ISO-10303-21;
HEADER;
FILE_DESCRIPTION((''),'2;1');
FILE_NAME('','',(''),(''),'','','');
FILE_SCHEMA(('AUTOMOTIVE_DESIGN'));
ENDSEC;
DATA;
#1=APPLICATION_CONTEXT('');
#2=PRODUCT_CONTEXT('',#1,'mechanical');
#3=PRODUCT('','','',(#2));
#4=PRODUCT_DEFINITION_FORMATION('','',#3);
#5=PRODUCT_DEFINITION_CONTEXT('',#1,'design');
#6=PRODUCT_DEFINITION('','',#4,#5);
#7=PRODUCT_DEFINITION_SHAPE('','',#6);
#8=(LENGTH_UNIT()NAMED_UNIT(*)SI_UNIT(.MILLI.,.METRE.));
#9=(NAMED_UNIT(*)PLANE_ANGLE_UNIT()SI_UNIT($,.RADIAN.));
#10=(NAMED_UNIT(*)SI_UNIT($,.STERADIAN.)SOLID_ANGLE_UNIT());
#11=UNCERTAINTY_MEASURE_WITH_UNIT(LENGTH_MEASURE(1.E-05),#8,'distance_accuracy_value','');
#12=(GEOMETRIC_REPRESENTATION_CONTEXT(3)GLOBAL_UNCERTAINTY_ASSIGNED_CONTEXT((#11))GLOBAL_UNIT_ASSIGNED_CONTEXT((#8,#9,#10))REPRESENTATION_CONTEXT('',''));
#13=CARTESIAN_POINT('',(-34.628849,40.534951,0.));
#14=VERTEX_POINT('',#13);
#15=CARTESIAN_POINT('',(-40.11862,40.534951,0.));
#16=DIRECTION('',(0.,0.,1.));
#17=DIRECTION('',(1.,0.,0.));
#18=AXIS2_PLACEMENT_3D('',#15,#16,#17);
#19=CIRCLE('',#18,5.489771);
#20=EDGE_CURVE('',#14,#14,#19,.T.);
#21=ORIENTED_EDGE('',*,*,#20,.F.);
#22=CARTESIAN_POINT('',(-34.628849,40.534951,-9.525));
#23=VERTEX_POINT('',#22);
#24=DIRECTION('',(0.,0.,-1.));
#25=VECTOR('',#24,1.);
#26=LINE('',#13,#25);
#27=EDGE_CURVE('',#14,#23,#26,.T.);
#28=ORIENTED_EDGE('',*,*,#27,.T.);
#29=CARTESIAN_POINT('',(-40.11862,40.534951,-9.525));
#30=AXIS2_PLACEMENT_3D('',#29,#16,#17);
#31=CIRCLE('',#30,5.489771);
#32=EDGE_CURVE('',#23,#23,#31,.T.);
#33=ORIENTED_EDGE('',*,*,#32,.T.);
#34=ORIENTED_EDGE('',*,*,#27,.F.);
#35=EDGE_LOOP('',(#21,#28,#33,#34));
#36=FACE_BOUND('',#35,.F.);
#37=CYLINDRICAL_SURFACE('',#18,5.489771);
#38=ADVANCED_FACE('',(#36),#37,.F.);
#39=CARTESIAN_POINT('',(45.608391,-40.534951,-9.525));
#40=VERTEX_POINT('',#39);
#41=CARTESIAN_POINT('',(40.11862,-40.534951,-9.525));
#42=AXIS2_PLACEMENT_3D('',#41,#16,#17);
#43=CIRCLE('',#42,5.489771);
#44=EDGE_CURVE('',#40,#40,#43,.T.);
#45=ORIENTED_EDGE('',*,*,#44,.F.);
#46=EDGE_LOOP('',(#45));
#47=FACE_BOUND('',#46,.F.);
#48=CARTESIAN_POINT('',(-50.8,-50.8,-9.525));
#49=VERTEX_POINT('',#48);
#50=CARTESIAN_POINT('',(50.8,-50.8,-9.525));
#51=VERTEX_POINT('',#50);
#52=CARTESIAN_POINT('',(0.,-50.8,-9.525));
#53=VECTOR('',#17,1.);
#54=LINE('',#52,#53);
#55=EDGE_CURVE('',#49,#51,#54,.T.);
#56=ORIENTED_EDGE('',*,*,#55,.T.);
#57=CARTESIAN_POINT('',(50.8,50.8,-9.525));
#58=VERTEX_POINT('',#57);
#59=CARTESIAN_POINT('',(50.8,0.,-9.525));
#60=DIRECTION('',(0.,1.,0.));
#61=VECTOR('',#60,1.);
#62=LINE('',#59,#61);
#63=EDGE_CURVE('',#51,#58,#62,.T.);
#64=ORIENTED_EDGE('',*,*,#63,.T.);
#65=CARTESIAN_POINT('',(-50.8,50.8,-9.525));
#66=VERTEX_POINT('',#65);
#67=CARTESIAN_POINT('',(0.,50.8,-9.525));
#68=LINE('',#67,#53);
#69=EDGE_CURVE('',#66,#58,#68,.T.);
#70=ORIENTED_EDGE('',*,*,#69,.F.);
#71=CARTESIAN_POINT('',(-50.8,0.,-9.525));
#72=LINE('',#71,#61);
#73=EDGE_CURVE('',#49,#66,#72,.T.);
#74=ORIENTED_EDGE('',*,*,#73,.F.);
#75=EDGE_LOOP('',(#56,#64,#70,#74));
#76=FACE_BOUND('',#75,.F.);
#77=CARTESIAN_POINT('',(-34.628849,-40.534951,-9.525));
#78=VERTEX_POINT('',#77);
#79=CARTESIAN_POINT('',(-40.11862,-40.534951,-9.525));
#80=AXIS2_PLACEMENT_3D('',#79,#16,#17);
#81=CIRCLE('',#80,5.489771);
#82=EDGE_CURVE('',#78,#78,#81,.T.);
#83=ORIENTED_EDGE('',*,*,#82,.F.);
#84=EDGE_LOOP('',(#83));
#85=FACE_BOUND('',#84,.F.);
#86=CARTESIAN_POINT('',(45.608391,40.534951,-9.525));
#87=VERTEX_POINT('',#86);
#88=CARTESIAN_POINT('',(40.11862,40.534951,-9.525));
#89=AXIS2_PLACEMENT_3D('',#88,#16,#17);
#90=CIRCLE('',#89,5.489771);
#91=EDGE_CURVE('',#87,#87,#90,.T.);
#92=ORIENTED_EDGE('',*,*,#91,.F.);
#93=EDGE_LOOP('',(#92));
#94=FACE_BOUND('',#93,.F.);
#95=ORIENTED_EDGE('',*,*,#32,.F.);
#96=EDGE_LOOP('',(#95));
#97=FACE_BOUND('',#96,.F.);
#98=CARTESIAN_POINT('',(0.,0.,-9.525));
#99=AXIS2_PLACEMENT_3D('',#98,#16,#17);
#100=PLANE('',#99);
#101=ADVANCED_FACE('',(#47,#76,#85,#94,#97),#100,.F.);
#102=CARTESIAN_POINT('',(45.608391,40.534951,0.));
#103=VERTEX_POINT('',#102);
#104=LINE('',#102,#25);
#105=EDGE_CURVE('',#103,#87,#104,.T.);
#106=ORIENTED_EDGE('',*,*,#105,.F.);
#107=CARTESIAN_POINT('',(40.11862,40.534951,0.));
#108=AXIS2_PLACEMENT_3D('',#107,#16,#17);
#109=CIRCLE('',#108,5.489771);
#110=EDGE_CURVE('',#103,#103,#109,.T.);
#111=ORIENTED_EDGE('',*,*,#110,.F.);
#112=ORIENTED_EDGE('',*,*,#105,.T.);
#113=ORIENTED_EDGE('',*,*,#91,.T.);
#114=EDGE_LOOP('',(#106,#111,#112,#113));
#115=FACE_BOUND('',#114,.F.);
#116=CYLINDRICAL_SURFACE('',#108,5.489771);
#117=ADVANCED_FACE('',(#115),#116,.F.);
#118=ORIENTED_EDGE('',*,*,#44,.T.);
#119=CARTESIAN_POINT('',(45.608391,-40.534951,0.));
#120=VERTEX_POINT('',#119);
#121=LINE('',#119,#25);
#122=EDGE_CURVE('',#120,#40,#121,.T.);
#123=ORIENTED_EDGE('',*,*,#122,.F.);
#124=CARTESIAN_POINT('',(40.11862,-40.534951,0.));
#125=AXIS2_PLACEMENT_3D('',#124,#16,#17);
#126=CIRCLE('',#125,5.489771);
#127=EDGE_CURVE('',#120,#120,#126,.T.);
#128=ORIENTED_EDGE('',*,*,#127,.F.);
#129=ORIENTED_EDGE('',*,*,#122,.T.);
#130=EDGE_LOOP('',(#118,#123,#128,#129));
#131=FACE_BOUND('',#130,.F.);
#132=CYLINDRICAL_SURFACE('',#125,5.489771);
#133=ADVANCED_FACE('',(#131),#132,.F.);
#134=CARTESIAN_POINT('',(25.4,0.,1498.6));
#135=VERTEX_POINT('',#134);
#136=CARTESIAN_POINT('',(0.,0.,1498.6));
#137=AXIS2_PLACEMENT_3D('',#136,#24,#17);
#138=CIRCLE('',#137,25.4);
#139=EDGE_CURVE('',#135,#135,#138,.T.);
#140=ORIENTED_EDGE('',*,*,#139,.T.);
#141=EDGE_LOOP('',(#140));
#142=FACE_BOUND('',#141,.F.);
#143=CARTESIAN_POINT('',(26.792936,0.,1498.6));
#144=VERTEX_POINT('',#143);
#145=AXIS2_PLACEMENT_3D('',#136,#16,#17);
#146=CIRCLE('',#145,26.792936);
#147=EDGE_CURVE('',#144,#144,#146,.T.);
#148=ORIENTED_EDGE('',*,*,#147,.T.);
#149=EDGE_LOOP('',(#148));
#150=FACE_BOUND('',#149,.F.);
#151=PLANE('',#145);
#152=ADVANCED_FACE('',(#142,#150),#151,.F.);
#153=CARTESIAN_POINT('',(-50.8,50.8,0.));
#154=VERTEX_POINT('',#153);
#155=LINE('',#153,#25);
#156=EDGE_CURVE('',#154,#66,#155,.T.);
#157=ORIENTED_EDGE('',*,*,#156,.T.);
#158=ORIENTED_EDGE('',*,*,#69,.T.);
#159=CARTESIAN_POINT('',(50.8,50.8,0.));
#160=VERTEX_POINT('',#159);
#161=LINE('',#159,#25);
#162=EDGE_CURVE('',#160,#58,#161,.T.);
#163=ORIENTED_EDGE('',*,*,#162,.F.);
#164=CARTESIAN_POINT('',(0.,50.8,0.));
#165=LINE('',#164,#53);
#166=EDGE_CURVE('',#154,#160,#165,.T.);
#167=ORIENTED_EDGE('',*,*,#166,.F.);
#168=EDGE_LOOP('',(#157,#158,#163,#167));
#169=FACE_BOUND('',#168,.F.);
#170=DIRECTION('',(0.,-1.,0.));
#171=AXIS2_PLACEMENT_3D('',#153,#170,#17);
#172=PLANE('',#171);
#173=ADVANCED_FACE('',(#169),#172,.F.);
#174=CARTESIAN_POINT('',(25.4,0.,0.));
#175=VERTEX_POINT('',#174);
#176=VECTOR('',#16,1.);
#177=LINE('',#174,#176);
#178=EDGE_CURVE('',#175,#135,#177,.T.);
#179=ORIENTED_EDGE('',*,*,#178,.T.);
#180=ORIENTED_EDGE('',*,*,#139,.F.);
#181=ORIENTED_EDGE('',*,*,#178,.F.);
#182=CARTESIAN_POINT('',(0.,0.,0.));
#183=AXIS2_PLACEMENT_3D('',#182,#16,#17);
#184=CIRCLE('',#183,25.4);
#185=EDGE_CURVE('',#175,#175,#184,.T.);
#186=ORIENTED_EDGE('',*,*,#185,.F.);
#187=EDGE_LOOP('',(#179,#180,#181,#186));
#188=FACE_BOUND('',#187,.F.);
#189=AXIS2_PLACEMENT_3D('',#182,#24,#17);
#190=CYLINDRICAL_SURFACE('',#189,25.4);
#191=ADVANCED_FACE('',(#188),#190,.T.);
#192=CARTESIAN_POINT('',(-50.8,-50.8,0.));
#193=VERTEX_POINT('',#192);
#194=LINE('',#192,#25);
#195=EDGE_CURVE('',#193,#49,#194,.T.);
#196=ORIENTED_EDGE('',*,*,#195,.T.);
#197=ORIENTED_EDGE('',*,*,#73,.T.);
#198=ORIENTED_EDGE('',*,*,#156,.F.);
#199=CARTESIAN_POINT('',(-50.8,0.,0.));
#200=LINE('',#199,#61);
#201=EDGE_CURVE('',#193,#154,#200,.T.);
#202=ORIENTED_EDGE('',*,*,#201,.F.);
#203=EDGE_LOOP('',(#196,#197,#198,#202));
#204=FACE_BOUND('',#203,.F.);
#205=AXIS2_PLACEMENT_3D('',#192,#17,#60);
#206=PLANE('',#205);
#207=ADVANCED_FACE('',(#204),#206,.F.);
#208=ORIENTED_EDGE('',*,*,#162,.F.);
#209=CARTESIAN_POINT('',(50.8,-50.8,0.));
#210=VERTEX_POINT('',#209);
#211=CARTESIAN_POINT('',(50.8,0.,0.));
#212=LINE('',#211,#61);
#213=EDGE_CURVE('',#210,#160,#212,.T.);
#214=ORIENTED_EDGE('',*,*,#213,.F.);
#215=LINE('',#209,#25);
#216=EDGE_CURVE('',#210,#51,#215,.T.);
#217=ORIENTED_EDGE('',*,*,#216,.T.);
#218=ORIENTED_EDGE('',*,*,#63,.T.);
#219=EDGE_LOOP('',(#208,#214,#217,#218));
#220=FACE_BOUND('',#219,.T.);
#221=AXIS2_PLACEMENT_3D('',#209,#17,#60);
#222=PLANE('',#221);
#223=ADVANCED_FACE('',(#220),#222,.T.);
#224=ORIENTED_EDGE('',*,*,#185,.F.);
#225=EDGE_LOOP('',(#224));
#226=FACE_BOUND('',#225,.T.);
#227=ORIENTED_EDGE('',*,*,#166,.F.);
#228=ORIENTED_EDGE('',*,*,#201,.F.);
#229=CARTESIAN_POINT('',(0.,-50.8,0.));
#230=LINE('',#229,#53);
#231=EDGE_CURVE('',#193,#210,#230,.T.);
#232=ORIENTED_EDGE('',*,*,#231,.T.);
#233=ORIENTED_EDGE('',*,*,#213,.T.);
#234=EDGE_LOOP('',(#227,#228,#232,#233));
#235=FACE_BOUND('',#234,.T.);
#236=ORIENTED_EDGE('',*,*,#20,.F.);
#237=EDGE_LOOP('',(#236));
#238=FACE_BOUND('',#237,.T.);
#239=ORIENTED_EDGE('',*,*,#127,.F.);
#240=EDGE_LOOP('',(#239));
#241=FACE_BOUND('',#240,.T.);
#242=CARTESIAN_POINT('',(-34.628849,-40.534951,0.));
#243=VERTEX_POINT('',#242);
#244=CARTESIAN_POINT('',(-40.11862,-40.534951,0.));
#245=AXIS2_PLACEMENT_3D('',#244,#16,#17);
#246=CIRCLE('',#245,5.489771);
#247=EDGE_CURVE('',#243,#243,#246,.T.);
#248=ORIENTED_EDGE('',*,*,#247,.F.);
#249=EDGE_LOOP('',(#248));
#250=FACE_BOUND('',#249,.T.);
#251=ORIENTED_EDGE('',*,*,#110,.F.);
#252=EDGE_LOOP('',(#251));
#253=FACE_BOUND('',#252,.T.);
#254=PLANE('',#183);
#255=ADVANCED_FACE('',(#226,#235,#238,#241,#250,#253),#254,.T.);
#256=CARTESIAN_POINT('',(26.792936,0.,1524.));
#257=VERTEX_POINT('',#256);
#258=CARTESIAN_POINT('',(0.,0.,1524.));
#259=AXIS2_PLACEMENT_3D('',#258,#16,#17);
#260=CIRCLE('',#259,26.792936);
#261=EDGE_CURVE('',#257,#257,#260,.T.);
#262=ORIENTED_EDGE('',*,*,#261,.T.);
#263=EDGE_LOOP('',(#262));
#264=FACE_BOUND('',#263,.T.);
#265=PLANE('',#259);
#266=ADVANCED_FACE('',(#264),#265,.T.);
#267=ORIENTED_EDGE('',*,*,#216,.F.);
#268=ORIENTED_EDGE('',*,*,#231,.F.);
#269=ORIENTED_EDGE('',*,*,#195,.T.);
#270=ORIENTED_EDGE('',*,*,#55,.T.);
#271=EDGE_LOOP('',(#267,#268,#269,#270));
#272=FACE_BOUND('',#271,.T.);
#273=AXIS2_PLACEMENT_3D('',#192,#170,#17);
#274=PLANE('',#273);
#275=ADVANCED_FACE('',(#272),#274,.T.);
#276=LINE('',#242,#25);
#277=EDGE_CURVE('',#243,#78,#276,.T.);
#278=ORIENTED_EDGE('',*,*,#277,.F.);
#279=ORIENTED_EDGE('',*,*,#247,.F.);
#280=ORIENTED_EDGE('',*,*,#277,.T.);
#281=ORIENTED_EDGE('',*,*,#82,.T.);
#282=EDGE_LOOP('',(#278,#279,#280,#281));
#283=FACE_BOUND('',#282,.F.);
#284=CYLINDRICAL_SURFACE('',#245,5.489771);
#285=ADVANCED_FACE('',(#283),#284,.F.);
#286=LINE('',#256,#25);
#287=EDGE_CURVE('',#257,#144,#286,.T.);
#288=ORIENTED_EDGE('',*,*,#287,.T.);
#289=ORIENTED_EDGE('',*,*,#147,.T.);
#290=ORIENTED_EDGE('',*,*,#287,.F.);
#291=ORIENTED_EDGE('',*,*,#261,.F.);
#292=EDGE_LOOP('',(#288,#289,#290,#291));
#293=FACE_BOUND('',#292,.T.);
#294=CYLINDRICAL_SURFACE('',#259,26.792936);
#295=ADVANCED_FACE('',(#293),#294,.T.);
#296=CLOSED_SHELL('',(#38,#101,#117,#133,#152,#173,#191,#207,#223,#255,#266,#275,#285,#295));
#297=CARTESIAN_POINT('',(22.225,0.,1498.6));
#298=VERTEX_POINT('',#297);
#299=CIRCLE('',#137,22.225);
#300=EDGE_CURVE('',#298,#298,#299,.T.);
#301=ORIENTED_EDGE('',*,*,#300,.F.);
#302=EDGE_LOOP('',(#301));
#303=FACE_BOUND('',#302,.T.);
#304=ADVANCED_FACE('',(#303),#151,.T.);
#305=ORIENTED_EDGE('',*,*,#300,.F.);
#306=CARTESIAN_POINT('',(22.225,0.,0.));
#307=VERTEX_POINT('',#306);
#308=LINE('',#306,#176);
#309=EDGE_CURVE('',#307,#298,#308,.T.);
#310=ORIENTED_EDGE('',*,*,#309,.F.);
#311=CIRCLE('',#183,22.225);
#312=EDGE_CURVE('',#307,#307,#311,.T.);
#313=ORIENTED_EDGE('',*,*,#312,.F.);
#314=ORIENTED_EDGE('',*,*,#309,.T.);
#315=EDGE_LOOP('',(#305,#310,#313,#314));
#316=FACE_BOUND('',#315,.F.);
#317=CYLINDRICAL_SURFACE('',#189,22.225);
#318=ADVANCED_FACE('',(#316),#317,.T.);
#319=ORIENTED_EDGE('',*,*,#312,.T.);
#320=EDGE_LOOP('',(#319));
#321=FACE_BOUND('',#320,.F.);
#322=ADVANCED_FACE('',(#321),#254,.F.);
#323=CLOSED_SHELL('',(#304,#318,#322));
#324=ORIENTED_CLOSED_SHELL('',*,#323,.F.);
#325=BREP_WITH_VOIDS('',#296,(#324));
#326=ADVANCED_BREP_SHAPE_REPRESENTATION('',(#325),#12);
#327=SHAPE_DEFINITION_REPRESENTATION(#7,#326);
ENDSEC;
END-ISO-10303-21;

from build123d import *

# Parameters (mm, degrees)
F0_R     = 25.4
F0_R_2   = 22.225
F1_DEPTH = 1524
F2_W     = 101.6
F2_H     = 101.6
F2_R     = 5.489771
F3_DEPTH = 9.525
F4_R     = 26.792936
F5_DEPTH = 25.4


with BuildPart() as f1:
    # F0 (on Top) → F1 (new body)
    with BuildSketch(Plane.XY):
        Circle(F0_R)
        Circle(F0_R_2, mode=Mode.SUBTRACT)
    extrude(amount=F1_DEPTH)

    # F2 (on Top) → F3 (join)
    with BuildSketch(Plane.XY):
        Rectangle(F2_W, F2_H)
        with Locations((-40.11862, -40.534951)):
            Circle(F2_R, mode=Mode.SUBTRACT)
        with Locations((40.11862, -40.534951)):
            Circle(F2_R, mode=Mode.SUBTRACT)
        with Locations((-40.11862, 40.534951)):
            Circle(F2_R, mode=Mode.SUBTRACT)
        with Locations((40.11862, 40.534951)):
            Circle(F2_R, mode=Mode.SUBTRACT)
    extrude(amount=-F3_DEPTH)

    # F4 (on face) → F5 (join)
    with BuildSketch(Plane.XY.offset(1524)):
        Circle(F4_R)
    extrude(amount=-F5_DEPTH)


solid = f1.part
